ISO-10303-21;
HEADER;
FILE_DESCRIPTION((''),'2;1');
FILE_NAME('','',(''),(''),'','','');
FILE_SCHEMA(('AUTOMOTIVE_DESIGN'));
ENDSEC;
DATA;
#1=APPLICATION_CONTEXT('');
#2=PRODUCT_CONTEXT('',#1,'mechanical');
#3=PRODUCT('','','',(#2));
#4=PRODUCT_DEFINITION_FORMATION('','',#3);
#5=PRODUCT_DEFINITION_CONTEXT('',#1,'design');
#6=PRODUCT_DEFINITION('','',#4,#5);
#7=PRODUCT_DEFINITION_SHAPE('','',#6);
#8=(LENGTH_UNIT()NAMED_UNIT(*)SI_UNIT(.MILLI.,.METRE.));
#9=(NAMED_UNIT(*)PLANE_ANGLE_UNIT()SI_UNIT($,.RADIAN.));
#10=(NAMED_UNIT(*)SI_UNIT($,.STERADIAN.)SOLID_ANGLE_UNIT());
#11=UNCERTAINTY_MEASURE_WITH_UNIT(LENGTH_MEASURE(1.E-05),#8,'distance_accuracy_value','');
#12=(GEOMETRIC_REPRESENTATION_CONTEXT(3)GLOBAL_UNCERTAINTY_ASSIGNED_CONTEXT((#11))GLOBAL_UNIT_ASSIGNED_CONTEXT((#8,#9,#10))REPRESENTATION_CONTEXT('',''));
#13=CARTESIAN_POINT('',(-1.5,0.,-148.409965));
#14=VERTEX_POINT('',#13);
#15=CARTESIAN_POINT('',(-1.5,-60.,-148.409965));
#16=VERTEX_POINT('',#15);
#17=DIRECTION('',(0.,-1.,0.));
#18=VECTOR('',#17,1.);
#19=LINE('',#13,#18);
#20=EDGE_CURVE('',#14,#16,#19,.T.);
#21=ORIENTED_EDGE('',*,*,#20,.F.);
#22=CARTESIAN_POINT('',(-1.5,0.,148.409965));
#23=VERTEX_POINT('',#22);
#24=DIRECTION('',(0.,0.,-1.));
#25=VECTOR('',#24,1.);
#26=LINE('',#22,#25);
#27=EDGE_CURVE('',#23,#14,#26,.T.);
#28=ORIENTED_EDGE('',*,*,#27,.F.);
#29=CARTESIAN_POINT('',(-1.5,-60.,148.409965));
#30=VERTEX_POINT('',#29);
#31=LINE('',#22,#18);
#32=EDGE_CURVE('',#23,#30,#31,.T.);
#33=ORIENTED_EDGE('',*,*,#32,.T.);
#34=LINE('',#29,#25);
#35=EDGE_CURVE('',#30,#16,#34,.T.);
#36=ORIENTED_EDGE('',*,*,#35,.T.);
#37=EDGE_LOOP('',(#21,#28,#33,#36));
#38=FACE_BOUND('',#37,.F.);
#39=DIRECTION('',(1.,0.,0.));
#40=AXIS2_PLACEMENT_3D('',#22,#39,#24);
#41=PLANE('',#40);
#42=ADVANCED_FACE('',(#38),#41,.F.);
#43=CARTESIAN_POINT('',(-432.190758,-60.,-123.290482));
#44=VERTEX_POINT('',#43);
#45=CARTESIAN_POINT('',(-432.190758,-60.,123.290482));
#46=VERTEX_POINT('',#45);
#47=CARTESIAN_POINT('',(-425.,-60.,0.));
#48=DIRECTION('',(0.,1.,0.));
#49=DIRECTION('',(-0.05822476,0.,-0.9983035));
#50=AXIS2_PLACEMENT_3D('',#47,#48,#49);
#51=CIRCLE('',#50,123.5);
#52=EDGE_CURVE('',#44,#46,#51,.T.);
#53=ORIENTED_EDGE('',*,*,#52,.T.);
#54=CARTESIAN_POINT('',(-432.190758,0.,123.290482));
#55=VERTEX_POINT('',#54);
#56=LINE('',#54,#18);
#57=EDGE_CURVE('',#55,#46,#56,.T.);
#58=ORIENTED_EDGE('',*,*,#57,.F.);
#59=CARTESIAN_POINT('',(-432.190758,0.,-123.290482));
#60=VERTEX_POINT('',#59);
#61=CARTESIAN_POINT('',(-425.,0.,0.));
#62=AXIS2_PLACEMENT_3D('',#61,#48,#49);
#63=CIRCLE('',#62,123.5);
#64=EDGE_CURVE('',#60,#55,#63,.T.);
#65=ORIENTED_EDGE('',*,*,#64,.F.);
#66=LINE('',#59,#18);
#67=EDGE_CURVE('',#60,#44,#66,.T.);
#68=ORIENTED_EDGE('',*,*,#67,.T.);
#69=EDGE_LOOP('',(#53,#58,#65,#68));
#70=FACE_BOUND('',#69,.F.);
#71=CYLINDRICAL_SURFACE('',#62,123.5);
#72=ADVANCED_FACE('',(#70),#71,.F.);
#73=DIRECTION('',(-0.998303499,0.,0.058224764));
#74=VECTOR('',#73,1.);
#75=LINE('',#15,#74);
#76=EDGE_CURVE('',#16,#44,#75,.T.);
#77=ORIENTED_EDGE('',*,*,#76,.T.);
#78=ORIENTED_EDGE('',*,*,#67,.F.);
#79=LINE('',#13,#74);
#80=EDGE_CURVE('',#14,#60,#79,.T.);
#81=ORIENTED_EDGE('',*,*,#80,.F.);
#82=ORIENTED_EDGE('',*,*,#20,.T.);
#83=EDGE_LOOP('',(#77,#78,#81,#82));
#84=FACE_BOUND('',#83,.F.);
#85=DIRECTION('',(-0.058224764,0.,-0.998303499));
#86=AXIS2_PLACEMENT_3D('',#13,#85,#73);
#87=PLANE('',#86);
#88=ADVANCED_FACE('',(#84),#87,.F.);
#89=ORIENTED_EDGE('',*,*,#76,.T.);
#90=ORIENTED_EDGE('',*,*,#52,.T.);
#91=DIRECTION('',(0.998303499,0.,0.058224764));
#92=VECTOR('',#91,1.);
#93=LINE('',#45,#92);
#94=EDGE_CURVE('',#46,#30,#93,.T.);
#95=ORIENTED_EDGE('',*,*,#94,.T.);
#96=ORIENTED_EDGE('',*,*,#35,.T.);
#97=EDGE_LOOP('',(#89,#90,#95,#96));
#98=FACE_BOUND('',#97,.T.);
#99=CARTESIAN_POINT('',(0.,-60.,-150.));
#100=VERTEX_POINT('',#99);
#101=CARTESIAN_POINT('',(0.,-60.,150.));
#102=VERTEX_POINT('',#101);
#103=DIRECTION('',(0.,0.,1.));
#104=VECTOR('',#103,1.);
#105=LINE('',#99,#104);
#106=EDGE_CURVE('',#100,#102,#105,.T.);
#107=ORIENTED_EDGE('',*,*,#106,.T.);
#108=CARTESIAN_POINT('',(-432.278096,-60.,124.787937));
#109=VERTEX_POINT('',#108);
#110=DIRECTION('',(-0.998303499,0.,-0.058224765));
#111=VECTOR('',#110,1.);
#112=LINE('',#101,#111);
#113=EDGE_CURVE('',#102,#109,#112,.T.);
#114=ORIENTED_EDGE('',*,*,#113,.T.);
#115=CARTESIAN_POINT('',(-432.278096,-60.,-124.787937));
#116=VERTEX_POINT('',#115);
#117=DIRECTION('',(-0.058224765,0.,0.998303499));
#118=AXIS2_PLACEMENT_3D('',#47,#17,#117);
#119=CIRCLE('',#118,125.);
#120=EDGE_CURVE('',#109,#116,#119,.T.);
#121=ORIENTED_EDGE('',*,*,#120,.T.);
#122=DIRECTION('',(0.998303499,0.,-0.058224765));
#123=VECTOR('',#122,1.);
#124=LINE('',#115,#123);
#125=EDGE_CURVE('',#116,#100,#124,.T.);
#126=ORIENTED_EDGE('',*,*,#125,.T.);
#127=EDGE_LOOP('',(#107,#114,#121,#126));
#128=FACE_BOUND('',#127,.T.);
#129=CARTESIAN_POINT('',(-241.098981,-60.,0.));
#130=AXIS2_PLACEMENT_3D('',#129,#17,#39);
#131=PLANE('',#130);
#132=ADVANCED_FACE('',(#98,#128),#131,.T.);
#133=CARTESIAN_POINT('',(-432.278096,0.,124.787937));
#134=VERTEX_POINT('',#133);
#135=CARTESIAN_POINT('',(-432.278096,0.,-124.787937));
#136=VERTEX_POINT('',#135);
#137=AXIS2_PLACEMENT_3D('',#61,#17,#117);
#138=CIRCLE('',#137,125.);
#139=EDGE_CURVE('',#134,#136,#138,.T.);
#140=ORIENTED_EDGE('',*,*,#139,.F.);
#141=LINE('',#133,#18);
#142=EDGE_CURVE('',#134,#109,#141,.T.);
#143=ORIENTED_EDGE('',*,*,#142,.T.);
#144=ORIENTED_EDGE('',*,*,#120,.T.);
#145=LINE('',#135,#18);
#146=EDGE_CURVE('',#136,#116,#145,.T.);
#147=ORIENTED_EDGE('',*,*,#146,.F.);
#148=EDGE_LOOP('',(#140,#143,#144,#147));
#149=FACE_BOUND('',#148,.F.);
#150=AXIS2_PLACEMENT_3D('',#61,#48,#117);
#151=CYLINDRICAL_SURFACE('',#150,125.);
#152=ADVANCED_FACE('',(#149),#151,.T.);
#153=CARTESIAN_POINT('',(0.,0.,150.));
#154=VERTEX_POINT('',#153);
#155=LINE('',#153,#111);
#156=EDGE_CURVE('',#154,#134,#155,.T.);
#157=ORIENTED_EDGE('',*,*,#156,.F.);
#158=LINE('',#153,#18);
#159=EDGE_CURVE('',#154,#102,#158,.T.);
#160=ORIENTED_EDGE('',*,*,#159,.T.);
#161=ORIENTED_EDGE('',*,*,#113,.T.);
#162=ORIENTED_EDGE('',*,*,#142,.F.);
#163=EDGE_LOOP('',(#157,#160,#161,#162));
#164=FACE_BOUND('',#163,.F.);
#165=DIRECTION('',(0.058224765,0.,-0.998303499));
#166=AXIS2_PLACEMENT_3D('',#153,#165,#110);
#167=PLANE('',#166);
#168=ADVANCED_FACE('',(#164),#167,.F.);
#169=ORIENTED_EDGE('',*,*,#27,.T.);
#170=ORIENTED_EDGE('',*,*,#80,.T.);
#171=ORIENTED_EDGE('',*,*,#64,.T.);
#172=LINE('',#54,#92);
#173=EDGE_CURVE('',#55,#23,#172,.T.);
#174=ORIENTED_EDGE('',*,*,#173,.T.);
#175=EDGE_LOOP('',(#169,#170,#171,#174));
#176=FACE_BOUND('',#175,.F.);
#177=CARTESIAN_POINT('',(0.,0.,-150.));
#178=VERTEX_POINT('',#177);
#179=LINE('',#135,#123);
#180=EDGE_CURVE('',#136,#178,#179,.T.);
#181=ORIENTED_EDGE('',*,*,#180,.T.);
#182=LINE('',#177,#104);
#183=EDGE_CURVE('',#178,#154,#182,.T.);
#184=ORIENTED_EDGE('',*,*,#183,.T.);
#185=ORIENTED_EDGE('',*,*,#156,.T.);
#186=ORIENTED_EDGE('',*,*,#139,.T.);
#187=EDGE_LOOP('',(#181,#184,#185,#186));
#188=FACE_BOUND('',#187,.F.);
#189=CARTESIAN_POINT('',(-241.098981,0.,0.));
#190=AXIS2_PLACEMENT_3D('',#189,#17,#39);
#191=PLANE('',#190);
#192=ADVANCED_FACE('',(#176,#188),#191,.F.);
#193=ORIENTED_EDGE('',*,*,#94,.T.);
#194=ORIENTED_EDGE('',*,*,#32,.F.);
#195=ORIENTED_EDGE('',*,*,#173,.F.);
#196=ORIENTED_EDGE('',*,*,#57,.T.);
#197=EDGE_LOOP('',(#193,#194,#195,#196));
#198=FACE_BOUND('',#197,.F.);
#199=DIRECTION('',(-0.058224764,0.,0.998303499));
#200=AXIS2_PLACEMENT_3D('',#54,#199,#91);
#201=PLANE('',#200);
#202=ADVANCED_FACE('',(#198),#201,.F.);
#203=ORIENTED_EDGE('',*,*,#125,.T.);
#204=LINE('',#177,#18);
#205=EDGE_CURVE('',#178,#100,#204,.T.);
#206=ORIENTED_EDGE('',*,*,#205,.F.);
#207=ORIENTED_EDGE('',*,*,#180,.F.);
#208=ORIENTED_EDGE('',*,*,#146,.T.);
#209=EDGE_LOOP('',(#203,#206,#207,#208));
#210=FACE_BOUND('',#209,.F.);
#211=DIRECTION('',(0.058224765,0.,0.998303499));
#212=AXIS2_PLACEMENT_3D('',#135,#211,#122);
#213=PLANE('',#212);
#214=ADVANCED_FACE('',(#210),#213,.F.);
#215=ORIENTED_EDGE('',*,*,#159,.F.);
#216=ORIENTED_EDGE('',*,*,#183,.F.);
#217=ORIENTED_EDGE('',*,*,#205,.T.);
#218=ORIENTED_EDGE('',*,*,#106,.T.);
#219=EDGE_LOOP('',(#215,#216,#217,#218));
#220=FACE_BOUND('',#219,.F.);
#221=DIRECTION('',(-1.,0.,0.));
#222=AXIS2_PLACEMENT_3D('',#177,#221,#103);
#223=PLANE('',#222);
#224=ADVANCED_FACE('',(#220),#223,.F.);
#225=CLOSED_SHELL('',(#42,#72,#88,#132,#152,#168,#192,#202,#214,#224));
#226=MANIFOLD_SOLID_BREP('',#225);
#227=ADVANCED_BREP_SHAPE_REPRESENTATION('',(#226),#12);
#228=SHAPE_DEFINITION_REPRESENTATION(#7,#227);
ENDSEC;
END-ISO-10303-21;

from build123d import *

# Parameters (mm, degrees)
F1_DEPTH = 60


with BuildPart() as f1:
    # F0 (on Front) → F1 (new body)
    with BuildSketch(Plane.XZ):
        with BuildLine():
            Line((0, -150), (0, 0))
            Line((0, 0), (0, 150))
            Line((0, 150), (-432.278096, 124.787937))
            ThreePointArc((-432.278096, 124.787937), (-550, 0), (-432.278096, -124.787937))
            Line((-432.278096, -124.787937), (0, -150))
        make_face()
        with BuildLine():
            Line((-1.5, 148.409965), (-1.5, 0))
            Line((-1.5, 0), (-1.5, -148.409965))
            Line((-1.5, -148.409965), (-432.190758, -123.290482))
            ThreePointArc((-432.190758, -123.290482), (-548.5, 0), (-432.190758, 123.290482))
            Line((-432.190758, 123.290482), (-1.5, 148.409965))
        make_face(mode=Mode.SUBTRACT)
    extrude(amount=F1_DEPTH)


solid = f1.part
